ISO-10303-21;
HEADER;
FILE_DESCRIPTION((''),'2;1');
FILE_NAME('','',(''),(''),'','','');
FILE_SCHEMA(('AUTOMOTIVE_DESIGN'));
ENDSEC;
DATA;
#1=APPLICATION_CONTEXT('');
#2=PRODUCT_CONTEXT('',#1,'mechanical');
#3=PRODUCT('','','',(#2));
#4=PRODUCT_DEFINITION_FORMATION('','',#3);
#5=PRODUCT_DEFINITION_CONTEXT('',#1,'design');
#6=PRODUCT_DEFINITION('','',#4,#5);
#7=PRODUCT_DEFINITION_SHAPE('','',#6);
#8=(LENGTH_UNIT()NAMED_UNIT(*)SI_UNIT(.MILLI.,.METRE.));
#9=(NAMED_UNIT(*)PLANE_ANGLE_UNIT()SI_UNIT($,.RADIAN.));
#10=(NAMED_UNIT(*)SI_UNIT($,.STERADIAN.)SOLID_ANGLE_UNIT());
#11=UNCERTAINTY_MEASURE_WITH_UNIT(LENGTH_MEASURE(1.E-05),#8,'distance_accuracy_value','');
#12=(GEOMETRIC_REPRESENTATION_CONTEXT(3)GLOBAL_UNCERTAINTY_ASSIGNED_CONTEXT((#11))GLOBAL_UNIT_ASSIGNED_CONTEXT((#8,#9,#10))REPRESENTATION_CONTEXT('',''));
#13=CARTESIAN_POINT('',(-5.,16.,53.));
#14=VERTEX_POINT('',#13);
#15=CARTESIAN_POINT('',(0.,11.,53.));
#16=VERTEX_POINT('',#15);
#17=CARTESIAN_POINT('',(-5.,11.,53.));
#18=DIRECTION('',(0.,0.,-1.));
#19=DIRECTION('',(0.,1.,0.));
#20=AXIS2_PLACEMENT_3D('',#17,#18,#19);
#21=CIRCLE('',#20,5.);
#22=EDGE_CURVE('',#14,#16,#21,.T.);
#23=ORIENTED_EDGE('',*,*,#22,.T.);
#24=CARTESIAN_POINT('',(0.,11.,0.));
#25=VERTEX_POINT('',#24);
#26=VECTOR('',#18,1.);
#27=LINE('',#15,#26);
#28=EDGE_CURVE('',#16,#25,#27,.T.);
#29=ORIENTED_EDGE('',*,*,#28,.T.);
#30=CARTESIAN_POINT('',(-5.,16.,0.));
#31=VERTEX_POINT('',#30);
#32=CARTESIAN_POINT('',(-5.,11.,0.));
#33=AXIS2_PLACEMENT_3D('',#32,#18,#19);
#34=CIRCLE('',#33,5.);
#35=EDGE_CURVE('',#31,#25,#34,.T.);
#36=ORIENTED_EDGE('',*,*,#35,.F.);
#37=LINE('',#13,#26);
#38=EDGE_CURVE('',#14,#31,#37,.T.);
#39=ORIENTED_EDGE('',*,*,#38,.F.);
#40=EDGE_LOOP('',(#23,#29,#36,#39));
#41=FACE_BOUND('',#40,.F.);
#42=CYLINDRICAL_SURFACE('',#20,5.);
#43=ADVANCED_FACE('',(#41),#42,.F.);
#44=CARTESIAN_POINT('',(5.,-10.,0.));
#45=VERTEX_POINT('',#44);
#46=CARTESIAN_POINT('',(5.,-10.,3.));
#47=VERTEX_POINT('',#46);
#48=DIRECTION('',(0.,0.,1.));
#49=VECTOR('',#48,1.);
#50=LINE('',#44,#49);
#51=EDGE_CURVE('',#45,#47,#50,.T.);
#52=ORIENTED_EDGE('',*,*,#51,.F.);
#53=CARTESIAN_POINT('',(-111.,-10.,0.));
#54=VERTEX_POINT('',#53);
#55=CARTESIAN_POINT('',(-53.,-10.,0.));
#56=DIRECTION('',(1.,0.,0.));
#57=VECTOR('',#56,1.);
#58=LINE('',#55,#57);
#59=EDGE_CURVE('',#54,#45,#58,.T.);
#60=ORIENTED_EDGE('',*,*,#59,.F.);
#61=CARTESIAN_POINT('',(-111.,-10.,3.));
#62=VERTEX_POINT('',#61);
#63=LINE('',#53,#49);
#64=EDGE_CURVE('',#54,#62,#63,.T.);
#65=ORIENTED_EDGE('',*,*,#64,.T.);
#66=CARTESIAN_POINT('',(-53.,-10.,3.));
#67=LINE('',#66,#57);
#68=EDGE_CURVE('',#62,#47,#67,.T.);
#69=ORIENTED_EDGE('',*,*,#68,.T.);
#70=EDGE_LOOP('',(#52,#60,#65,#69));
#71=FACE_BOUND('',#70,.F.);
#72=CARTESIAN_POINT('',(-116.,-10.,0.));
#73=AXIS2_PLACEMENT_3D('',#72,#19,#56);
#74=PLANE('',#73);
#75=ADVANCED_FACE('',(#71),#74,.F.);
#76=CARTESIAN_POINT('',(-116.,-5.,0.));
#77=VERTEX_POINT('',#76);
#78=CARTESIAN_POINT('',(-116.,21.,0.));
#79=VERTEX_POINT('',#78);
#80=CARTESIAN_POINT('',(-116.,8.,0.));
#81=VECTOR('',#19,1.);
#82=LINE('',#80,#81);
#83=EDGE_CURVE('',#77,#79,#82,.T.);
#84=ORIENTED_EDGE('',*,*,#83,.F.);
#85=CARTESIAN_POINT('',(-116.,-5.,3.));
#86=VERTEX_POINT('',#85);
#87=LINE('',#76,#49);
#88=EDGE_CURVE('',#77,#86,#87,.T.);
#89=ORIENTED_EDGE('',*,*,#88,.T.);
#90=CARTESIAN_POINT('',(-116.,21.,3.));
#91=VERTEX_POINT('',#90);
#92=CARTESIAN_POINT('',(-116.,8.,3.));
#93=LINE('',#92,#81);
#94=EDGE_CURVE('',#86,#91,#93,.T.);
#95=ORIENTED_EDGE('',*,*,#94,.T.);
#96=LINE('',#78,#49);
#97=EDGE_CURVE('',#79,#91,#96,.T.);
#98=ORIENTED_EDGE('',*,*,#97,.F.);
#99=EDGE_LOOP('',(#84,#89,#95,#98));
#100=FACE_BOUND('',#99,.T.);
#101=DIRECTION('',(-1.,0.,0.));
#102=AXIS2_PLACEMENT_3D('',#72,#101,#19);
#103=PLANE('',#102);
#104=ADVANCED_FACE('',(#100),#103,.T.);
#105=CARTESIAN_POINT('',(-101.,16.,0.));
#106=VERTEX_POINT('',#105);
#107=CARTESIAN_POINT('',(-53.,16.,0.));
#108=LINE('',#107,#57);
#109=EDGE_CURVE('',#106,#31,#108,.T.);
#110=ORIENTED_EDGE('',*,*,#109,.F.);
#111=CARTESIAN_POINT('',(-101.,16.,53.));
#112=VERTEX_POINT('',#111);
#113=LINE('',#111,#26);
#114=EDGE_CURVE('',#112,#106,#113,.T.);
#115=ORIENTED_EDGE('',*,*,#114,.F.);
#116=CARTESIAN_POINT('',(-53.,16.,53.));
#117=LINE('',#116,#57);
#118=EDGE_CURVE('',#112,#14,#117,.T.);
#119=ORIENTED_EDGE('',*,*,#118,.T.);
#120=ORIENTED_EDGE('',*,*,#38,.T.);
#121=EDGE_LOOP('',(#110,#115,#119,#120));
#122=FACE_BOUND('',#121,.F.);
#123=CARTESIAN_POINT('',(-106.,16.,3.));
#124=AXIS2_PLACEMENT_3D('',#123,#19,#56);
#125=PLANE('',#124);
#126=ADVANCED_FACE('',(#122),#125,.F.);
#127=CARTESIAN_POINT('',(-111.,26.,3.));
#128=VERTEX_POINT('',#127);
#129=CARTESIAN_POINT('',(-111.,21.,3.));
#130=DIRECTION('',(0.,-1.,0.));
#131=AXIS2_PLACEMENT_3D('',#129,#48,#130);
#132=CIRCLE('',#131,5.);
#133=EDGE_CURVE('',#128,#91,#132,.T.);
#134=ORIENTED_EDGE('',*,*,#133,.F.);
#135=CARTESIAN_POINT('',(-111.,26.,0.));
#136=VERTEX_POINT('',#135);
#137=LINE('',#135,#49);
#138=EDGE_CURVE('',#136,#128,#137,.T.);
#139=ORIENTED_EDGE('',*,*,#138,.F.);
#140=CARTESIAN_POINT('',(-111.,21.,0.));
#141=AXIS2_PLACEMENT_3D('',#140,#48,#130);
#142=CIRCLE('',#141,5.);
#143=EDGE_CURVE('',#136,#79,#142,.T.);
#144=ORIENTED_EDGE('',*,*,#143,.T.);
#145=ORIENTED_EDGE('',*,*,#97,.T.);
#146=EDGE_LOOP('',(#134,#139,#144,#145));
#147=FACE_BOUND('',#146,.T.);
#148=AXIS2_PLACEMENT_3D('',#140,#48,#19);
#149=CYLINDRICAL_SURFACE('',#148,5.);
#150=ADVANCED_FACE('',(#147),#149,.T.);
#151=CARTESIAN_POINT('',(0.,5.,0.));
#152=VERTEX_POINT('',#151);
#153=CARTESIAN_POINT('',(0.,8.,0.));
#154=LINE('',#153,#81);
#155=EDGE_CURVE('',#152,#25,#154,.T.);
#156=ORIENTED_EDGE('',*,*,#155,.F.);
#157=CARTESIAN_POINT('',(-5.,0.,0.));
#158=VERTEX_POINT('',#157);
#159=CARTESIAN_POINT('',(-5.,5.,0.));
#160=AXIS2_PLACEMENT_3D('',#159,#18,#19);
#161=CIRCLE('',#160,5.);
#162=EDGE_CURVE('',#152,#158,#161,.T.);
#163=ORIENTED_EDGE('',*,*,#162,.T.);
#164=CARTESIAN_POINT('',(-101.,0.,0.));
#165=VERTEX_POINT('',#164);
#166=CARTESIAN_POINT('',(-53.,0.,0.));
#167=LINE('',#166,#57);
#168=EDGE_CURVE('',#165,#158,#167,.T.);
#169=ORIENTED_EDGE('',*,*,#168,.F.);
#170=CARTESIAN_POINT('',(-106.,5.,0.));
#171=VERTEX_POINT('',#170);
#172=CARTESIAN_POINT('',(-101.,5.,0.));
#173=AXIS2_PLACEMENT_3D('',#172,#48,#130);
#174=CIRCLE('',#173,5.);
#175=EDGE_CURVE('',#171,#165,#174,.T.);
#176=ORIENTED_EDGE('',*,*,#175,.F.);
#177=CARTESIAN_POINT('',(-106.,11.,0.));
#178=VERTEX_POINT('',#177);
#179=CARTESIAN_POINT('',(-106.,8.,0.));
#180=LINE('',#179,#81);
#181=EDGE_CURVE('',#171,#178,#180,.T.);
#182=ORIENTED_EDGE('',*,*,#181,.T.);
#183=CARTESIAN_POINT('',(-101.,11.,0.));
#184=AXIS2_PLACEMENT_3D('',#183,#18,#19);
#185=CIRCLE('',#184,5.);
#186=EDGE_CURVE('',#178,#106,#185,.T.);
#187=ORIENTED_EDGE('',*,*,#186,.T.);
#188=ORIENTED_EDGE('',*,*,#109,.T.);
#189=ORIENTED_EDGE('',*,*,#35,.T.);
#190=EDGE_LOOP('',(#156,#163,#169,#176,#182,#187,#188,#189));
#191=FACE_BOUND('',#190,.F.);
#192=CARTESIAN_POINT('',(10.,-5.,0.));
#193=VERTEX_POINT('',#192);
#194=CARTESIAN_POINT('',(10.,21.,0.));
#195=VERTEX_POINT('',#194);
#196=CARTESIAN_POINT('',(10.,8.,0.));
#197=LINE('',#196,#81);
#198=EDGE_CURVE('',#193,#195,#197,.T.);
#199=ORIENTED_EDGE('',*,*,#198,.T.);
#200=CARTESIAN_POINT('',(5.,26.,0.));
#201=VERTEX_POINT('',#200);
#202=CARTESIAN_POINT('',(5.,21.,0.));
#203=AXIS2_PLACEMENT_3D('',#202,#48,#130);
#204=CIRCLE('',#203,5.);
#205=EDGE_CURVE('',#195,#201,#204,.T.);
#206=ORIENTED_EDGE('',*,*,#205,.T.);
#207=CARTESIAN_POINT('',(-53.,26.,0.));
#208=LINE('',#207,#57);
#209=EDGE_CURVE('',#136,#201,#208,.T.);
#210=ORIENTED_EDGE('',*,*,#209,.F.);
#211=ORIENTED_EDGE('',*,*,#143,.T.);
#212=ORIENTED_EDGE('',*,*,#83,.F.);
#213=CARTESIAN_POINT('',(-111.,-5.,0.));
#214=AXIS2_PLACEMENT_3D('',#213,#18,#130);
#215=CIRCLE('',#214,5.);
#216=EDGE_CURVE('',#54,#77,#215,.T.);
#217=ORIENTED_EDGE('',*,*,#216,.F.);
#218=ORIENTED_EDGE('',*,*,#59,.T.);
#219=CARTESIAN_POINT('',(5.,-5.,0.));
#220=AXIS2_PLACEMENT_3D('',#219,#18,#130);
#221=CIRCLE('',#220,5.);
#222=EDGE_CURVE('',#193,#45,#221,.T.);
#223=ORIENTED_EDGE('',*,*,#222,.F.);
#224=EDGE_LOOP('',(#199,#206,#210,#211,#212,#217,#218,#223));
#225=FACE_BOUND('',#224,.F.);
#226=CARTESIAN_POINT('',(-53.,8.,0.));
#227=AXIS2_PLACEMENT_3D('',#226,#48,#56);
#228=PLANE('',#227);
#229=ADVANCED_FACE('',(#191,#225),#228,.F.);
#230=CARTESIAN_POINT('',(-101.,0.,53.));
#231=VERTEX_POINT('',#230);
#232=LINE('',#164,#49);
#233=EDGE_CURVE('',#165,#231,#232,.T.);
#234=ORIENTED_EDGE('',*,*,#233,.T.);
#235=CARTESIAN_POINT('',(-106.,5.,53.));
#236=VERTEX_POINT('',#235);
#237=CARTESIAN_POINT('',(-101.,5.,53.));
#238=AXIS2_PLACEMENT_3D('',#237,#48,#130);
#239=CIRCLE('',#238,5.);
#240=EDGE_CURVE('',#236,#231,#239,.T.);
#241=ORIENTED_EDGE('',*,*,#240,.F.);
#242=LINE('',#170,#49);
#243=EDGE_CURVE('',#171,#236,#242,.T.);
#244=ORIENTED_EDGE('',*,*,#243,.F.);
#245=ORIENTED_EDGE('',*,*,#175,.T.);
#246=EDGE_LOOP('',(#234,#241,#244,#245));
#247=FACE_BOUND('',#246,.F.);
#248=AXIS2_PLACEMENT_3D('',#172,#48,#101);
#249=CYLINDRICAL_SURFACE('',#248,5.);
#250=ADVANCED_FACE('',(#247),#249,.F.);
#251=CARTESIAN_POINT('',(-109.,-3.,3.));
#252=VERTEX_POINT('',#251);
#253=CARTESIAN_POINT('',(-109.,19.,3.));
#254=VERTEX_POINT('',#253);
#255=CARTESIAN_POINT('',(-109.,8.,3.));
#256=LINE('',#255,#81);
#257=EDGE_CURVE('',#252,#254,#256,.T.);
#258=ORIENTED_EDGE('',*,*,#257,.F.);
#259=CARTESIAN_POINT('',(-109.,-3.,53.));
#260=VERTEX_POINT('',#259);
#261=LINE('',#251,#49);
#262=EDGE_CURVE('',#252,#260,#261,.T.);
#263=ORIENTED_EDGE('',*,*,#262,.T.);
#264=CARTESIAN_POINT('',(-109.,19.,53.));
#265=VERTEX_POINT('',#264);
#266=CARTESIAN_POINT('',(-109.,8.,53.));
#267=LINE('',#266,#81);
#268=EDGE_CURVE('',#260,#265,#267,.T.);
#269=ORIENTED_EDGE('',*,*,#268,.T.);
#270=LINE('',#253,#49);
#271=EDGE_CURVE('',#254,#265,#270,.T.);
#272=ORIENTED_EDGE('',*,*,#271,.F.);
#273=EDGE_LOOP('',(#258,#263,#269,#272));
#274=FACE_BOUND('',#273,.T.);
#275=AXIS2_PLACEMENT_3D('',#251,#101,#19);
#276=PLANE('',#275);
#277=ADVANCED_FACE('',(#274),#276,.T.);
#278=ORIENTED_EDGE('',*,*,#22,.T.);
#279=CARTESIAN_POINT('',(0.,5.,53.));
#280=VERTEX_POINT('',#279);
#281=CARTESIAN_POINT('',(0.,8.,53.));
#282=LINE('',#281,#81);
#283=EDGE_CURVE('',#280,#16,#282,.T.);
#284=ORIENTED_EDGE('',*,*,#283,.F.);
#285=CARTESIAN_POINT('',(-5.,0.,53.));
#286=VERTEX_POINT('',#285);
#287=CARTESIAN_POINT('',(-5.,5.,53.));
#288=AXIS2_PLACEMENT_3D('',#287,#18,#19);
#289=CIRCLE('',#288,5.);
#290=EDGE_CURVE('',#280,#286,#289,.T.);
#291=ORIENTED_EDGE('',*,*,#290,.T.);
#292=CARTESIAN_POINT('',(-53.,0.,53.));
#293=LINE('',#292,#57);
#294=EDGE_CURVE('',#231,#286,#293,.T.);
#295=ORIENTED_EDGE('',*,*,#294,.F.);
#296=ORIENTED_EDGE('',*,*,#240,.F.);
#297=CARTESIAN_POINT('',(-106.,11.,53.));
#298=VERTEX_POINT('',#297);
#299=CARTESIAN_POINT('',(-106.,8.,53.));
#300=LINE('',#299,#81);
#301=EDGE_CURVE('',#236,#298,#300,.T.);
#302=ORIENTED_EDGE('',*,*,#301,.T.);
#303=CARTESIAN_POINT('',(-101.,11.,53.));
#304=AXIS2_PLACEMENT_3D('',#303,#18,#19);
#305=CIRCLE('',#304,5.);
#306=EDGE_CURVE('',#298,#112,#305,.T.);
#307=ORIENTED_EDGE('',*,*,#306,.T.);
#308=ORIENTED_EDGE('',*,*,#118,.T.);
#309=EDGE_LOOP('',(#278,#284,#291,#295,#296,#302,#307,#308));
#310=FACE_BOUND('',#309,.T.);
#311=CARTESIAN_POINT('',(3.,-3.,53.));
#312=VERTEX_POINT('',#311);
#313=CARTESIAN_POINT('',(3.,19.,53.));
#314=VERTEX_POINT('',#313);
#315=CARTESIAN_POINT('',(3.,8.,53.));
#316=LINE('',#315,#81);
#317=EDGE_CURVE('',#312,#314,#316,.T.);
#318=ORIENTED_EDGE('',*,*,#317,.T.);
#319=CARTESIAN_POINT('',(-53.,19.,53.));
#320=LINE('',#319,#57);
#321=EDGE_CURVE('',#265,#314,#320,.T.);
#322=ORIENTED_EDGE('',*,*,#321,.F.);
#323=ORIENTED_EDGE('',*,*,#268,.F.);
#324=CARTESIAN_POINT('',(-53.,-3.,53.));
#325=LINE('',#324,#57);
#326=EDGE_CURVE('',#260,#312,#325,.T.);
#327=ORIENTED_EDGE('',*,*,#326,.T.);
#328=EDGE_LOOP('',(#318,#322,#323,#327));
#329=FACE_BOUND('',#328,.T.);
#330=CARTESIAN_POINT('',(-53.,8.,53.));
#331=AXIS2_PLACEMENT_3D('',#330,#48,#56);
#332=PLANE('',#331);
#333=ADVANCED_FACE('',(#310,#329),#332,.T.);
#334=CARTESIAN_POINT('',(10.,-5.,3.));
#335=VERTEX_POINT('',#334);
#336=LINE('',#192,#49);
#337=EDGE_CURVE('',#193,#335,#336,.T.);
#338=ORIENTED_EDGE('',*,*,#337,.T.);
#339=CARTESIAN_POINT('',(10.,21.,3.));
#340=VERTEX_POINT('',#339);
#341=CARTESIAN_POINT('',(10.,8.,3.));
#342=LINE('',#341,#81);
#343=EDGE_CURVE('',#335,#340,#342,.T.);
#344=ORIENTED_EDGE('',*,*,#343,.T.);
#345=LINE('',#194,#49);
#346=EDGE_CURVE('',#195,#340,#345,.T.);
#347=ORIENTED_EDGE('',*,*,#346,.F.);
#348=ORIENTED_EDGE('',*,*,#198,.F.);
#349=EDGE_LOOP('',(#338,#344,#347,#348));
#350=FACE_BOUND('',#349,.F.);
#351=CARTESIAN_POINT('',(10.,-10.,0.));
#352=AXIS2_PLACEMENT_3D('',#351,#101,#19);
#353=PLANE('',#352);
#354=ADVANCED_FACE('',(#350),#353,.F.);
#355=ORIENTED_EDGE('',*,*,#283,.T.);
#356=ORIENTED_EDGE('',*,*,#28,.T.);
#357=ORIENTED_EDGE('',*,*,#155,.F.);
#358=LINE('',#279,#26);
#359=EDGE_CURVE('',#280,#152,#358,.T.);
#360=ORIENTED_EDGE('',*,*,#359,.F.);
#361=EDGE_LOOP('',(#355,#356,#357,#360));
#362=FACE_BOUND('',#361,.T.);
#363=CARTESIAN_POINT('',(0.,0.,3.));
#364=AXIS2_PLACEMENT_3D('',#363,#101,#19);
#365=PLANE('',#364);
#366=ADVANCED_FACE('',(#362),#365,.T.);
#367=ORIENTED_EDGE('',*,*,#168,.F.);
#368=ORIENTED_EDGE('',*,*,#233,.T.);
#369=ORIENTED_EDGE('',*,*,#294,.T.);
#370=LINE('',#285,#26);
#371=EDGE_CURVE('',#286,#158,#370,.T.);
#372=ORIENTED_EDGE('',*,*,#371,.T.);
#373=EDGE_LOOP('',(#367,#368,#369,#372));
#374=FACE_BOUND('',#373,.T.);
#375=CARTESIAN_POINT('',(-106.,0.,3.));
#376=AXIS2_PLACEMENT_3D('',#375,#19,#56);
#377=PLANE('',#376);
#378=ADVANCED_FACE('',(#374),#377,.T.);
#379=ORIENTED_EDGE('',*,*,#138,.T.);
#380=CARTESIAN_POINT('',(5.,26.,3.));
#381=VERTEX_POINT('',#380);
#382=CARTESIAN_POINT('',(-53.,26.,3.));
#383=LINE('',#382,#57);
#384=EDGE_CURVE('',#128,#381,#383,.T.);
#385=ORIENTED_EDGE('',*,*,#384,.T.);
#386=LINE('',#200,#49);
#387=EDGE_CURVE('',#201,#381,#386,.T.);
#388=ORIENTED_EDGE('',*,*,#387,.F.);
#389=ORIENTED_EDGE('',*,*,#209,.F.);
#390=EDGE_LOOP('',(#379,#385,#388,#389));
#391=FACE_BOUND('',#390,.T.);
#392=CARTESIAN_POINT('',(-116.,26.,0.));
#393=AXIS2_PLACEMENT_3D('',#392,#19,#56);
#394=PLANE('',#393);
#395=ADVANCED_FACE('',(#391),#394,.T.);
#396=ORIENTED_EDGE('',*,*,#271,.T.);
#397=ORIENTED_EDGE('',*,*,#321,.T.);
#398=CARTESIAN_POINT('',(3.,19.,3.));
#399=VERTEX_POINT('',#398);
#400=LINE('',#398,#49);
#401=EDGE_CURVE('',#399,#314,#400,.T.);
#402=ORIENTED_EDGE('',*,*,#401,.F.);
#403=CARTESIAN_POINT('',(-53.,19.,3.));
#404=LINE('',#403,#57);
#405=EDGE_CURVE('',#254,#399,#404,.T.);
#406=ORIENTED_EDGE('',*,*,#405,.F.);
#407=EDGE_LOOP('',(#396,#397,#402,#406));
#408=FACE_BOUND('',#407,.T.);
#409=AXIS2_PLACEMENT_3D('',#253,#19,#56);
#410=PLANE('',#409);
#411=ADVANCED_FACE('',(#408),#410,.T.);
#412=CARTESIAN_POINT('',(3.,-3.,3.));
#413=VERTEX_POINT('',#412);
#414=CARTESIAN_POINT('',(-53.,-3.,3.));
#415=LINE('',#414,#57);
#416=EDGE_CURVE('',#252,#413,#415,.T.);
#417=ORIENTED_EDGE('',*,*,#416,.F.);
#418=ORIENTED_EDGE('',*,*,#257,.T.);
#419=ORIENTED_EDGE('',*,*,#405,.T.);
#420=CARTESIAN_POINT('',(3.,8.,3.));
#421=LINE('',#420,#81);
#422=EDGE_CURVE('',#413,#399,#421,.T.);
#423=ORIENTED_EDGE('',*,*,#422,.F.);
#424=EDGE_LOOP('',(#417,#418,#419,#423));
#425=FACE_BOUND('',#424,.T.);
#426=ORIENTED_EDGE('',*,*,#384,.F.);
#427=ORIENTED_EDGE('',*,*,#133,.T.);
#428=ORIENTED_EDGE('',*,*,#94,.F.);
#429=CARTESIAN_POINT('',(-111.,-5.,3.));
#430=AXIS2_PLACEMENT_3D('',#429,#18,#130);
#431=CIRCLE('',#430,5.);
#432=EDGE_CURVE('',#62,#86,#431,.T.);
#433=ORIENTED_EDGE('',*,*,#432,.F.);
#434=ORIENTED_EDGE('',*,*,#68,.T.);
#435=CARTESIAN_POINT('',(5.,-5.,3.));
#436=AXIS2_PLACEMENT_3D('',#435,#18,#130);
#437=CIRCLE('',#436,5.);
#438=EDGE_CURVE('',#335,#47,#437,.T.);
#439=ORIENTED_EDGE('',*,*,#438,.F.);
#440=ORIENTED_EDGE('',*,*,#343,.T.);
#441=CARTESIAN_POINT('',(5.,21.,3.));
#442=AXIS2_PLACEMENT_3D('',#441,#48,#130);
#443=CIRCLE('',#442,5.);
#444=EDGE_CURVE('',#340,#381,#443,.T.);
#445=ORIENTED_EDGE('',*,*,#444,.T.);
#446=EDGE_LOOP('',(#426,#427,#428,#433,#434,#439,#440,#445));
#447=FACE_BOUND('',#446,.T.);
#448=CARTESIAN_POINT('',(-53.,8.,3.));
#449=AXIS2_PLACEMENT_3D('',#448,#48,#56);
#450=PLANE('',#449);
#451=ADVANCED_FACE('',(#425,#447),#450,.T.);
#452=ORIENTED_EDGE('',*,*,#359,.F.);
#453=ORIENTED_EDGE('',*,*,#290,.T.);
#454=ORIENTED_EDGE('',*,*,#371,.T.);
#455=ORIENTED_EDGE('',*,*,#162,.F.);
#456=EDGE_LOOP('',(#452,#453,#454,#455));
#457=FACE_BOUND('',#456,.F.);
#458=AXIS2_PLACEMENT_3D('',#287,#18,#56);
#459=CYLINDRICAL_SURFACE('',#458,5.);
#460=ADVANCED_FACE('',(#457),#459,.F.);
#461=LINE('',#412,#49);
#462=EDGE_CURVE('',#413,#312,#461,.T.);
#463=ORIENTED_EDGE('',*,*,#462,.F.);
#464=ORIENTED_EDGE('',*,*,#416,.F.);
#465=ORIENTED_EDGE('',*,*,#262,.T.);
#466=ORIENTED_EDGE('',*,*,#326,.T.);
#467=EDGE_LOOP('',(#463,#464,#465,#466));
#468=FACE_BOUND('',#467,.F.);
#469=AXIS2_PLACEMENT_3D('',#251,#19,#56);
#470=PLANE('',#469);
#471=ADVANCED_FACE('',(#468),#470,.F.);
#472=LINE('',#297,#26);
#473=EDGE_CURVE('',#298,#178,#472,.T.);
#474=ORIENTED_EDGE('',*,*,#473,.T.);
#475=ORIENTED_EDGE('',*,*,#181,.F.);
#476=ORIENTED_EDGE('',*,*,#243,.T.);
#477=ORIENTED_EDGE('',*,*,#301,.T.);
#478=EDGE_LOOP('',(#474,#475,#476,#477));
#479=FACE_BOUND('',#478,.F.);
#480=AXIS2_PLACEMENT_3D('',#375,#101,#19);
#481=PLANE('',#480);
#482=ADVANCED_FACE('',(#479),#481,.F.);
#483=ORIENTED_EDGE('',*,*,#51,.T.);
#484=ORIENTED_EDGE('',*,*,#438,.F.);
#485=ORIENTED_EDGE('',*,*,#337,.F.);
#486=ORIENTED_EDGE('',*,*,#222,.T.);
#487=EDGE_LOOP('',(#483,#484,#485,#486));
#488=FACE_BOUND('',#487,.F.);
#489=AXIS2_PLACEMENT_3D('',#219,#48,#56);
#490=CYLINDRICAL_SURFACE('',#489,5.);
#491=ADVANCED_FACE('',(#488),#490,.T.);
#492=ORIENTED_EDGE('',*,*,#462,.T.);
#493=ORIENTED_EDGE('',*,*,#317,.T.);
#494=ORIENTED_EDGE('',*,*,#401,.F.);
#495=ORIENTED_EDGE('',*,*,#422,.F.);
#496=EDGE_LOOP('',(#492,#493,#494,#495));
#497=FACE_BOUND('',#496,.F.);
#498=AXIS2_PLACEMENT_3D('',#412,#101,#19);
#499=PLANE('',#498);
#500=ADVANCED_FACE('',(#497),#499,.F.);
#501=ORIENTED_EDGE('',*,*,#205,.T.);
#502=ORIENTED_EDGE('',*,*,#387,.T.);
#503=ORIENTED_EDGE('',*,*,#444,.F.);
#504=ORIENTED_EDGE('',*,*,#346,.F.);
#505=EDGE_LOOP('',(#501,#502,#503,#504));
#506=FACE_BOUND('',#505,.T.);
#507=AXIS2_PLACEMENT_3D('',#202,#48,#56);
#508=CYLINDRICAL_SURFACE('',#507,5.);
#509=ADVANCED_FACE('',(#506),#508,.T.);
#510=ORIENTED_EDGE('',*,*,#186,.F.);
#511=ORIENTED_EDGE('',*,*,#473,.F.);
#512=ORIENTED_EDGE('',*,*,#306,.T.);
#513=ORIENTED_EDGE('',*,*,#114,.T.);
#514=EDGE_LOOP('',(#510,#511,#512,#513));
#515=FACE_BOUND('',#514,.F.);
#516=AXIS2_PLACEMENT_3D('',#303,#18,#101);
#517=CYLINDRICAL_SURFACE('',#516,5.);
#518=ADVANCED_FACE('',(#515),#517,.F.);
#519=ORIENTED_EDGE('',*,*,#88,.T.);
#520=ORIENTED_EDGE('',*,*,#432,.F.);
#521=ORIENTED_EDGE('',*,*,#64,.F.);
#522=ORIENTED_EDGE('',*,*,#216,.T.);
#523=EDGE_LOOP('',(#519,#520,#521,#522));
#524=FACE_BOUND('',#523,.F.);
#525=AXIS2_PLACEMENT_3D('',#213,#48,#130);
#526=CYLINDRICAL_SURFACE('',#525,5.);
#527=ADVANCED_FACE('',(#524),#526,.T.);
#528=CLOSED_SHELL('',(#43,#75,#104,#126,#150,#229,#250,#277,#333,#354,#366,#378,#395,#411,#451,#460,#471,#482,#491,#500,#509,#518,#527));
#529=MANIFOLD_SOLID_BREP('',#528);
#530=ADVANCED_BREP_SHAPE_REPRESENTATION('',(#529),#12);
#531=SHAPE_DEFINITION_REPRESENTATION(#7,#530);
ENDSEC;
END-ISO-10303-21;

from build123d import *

# Parameters (mm, degrees)
F0_W     = 126
F0_H     = 36
F0_W_2   = 106
F0_H_2   = 16
F1_DEPTH = 3
F2_W     = 112
F2_H     = 22
F2_W_2   = 106
F2_H_2   = 16
F3_DEPTH = 50
F4_R     = 5


with BuildPart() as f1:
    # F0 (on Top) → F1 (new body)
    with BuildSketch(Plane.XY):
        with Locations((-53, 8)):
            Rectangle(F0_W, F0_H)
        with Locations((-53, 8)):
            Rectangle(F0_W_2, F0_H_2, mode=Mode.SUBTRACT)
    extrude(amount=F1_DEPTH)

    # F2 (on face) → F3 (join)
    with BuildSketch(Plane.XY.offset(3)):
        with Locations((-53, 8)):
            Rectangle(F2_W, F2_H)
        with Locations((-53, 8)):
            Rectangle(F2_W_2, F2_H_2, mode=Mode.SUBTRACT)
    extrude(amount=F3_DEPTH)

    # F4
    f4_edges = [f1.edges().sort_by_distance(p)[0] for p in [
        (-116, 26, 1.5),
        (10, 26, 1.5),
        (10, -10, 1.5),
        (-116, -10, 1.5),
        (-106, 16, 26.5),
        (0, 16, 26.5),
        (0, 0, 26.5),
        (-106, 0, 26.5),
    ]]
    fillet(f4_edges, radius=F4_R)


solid = f1.part
